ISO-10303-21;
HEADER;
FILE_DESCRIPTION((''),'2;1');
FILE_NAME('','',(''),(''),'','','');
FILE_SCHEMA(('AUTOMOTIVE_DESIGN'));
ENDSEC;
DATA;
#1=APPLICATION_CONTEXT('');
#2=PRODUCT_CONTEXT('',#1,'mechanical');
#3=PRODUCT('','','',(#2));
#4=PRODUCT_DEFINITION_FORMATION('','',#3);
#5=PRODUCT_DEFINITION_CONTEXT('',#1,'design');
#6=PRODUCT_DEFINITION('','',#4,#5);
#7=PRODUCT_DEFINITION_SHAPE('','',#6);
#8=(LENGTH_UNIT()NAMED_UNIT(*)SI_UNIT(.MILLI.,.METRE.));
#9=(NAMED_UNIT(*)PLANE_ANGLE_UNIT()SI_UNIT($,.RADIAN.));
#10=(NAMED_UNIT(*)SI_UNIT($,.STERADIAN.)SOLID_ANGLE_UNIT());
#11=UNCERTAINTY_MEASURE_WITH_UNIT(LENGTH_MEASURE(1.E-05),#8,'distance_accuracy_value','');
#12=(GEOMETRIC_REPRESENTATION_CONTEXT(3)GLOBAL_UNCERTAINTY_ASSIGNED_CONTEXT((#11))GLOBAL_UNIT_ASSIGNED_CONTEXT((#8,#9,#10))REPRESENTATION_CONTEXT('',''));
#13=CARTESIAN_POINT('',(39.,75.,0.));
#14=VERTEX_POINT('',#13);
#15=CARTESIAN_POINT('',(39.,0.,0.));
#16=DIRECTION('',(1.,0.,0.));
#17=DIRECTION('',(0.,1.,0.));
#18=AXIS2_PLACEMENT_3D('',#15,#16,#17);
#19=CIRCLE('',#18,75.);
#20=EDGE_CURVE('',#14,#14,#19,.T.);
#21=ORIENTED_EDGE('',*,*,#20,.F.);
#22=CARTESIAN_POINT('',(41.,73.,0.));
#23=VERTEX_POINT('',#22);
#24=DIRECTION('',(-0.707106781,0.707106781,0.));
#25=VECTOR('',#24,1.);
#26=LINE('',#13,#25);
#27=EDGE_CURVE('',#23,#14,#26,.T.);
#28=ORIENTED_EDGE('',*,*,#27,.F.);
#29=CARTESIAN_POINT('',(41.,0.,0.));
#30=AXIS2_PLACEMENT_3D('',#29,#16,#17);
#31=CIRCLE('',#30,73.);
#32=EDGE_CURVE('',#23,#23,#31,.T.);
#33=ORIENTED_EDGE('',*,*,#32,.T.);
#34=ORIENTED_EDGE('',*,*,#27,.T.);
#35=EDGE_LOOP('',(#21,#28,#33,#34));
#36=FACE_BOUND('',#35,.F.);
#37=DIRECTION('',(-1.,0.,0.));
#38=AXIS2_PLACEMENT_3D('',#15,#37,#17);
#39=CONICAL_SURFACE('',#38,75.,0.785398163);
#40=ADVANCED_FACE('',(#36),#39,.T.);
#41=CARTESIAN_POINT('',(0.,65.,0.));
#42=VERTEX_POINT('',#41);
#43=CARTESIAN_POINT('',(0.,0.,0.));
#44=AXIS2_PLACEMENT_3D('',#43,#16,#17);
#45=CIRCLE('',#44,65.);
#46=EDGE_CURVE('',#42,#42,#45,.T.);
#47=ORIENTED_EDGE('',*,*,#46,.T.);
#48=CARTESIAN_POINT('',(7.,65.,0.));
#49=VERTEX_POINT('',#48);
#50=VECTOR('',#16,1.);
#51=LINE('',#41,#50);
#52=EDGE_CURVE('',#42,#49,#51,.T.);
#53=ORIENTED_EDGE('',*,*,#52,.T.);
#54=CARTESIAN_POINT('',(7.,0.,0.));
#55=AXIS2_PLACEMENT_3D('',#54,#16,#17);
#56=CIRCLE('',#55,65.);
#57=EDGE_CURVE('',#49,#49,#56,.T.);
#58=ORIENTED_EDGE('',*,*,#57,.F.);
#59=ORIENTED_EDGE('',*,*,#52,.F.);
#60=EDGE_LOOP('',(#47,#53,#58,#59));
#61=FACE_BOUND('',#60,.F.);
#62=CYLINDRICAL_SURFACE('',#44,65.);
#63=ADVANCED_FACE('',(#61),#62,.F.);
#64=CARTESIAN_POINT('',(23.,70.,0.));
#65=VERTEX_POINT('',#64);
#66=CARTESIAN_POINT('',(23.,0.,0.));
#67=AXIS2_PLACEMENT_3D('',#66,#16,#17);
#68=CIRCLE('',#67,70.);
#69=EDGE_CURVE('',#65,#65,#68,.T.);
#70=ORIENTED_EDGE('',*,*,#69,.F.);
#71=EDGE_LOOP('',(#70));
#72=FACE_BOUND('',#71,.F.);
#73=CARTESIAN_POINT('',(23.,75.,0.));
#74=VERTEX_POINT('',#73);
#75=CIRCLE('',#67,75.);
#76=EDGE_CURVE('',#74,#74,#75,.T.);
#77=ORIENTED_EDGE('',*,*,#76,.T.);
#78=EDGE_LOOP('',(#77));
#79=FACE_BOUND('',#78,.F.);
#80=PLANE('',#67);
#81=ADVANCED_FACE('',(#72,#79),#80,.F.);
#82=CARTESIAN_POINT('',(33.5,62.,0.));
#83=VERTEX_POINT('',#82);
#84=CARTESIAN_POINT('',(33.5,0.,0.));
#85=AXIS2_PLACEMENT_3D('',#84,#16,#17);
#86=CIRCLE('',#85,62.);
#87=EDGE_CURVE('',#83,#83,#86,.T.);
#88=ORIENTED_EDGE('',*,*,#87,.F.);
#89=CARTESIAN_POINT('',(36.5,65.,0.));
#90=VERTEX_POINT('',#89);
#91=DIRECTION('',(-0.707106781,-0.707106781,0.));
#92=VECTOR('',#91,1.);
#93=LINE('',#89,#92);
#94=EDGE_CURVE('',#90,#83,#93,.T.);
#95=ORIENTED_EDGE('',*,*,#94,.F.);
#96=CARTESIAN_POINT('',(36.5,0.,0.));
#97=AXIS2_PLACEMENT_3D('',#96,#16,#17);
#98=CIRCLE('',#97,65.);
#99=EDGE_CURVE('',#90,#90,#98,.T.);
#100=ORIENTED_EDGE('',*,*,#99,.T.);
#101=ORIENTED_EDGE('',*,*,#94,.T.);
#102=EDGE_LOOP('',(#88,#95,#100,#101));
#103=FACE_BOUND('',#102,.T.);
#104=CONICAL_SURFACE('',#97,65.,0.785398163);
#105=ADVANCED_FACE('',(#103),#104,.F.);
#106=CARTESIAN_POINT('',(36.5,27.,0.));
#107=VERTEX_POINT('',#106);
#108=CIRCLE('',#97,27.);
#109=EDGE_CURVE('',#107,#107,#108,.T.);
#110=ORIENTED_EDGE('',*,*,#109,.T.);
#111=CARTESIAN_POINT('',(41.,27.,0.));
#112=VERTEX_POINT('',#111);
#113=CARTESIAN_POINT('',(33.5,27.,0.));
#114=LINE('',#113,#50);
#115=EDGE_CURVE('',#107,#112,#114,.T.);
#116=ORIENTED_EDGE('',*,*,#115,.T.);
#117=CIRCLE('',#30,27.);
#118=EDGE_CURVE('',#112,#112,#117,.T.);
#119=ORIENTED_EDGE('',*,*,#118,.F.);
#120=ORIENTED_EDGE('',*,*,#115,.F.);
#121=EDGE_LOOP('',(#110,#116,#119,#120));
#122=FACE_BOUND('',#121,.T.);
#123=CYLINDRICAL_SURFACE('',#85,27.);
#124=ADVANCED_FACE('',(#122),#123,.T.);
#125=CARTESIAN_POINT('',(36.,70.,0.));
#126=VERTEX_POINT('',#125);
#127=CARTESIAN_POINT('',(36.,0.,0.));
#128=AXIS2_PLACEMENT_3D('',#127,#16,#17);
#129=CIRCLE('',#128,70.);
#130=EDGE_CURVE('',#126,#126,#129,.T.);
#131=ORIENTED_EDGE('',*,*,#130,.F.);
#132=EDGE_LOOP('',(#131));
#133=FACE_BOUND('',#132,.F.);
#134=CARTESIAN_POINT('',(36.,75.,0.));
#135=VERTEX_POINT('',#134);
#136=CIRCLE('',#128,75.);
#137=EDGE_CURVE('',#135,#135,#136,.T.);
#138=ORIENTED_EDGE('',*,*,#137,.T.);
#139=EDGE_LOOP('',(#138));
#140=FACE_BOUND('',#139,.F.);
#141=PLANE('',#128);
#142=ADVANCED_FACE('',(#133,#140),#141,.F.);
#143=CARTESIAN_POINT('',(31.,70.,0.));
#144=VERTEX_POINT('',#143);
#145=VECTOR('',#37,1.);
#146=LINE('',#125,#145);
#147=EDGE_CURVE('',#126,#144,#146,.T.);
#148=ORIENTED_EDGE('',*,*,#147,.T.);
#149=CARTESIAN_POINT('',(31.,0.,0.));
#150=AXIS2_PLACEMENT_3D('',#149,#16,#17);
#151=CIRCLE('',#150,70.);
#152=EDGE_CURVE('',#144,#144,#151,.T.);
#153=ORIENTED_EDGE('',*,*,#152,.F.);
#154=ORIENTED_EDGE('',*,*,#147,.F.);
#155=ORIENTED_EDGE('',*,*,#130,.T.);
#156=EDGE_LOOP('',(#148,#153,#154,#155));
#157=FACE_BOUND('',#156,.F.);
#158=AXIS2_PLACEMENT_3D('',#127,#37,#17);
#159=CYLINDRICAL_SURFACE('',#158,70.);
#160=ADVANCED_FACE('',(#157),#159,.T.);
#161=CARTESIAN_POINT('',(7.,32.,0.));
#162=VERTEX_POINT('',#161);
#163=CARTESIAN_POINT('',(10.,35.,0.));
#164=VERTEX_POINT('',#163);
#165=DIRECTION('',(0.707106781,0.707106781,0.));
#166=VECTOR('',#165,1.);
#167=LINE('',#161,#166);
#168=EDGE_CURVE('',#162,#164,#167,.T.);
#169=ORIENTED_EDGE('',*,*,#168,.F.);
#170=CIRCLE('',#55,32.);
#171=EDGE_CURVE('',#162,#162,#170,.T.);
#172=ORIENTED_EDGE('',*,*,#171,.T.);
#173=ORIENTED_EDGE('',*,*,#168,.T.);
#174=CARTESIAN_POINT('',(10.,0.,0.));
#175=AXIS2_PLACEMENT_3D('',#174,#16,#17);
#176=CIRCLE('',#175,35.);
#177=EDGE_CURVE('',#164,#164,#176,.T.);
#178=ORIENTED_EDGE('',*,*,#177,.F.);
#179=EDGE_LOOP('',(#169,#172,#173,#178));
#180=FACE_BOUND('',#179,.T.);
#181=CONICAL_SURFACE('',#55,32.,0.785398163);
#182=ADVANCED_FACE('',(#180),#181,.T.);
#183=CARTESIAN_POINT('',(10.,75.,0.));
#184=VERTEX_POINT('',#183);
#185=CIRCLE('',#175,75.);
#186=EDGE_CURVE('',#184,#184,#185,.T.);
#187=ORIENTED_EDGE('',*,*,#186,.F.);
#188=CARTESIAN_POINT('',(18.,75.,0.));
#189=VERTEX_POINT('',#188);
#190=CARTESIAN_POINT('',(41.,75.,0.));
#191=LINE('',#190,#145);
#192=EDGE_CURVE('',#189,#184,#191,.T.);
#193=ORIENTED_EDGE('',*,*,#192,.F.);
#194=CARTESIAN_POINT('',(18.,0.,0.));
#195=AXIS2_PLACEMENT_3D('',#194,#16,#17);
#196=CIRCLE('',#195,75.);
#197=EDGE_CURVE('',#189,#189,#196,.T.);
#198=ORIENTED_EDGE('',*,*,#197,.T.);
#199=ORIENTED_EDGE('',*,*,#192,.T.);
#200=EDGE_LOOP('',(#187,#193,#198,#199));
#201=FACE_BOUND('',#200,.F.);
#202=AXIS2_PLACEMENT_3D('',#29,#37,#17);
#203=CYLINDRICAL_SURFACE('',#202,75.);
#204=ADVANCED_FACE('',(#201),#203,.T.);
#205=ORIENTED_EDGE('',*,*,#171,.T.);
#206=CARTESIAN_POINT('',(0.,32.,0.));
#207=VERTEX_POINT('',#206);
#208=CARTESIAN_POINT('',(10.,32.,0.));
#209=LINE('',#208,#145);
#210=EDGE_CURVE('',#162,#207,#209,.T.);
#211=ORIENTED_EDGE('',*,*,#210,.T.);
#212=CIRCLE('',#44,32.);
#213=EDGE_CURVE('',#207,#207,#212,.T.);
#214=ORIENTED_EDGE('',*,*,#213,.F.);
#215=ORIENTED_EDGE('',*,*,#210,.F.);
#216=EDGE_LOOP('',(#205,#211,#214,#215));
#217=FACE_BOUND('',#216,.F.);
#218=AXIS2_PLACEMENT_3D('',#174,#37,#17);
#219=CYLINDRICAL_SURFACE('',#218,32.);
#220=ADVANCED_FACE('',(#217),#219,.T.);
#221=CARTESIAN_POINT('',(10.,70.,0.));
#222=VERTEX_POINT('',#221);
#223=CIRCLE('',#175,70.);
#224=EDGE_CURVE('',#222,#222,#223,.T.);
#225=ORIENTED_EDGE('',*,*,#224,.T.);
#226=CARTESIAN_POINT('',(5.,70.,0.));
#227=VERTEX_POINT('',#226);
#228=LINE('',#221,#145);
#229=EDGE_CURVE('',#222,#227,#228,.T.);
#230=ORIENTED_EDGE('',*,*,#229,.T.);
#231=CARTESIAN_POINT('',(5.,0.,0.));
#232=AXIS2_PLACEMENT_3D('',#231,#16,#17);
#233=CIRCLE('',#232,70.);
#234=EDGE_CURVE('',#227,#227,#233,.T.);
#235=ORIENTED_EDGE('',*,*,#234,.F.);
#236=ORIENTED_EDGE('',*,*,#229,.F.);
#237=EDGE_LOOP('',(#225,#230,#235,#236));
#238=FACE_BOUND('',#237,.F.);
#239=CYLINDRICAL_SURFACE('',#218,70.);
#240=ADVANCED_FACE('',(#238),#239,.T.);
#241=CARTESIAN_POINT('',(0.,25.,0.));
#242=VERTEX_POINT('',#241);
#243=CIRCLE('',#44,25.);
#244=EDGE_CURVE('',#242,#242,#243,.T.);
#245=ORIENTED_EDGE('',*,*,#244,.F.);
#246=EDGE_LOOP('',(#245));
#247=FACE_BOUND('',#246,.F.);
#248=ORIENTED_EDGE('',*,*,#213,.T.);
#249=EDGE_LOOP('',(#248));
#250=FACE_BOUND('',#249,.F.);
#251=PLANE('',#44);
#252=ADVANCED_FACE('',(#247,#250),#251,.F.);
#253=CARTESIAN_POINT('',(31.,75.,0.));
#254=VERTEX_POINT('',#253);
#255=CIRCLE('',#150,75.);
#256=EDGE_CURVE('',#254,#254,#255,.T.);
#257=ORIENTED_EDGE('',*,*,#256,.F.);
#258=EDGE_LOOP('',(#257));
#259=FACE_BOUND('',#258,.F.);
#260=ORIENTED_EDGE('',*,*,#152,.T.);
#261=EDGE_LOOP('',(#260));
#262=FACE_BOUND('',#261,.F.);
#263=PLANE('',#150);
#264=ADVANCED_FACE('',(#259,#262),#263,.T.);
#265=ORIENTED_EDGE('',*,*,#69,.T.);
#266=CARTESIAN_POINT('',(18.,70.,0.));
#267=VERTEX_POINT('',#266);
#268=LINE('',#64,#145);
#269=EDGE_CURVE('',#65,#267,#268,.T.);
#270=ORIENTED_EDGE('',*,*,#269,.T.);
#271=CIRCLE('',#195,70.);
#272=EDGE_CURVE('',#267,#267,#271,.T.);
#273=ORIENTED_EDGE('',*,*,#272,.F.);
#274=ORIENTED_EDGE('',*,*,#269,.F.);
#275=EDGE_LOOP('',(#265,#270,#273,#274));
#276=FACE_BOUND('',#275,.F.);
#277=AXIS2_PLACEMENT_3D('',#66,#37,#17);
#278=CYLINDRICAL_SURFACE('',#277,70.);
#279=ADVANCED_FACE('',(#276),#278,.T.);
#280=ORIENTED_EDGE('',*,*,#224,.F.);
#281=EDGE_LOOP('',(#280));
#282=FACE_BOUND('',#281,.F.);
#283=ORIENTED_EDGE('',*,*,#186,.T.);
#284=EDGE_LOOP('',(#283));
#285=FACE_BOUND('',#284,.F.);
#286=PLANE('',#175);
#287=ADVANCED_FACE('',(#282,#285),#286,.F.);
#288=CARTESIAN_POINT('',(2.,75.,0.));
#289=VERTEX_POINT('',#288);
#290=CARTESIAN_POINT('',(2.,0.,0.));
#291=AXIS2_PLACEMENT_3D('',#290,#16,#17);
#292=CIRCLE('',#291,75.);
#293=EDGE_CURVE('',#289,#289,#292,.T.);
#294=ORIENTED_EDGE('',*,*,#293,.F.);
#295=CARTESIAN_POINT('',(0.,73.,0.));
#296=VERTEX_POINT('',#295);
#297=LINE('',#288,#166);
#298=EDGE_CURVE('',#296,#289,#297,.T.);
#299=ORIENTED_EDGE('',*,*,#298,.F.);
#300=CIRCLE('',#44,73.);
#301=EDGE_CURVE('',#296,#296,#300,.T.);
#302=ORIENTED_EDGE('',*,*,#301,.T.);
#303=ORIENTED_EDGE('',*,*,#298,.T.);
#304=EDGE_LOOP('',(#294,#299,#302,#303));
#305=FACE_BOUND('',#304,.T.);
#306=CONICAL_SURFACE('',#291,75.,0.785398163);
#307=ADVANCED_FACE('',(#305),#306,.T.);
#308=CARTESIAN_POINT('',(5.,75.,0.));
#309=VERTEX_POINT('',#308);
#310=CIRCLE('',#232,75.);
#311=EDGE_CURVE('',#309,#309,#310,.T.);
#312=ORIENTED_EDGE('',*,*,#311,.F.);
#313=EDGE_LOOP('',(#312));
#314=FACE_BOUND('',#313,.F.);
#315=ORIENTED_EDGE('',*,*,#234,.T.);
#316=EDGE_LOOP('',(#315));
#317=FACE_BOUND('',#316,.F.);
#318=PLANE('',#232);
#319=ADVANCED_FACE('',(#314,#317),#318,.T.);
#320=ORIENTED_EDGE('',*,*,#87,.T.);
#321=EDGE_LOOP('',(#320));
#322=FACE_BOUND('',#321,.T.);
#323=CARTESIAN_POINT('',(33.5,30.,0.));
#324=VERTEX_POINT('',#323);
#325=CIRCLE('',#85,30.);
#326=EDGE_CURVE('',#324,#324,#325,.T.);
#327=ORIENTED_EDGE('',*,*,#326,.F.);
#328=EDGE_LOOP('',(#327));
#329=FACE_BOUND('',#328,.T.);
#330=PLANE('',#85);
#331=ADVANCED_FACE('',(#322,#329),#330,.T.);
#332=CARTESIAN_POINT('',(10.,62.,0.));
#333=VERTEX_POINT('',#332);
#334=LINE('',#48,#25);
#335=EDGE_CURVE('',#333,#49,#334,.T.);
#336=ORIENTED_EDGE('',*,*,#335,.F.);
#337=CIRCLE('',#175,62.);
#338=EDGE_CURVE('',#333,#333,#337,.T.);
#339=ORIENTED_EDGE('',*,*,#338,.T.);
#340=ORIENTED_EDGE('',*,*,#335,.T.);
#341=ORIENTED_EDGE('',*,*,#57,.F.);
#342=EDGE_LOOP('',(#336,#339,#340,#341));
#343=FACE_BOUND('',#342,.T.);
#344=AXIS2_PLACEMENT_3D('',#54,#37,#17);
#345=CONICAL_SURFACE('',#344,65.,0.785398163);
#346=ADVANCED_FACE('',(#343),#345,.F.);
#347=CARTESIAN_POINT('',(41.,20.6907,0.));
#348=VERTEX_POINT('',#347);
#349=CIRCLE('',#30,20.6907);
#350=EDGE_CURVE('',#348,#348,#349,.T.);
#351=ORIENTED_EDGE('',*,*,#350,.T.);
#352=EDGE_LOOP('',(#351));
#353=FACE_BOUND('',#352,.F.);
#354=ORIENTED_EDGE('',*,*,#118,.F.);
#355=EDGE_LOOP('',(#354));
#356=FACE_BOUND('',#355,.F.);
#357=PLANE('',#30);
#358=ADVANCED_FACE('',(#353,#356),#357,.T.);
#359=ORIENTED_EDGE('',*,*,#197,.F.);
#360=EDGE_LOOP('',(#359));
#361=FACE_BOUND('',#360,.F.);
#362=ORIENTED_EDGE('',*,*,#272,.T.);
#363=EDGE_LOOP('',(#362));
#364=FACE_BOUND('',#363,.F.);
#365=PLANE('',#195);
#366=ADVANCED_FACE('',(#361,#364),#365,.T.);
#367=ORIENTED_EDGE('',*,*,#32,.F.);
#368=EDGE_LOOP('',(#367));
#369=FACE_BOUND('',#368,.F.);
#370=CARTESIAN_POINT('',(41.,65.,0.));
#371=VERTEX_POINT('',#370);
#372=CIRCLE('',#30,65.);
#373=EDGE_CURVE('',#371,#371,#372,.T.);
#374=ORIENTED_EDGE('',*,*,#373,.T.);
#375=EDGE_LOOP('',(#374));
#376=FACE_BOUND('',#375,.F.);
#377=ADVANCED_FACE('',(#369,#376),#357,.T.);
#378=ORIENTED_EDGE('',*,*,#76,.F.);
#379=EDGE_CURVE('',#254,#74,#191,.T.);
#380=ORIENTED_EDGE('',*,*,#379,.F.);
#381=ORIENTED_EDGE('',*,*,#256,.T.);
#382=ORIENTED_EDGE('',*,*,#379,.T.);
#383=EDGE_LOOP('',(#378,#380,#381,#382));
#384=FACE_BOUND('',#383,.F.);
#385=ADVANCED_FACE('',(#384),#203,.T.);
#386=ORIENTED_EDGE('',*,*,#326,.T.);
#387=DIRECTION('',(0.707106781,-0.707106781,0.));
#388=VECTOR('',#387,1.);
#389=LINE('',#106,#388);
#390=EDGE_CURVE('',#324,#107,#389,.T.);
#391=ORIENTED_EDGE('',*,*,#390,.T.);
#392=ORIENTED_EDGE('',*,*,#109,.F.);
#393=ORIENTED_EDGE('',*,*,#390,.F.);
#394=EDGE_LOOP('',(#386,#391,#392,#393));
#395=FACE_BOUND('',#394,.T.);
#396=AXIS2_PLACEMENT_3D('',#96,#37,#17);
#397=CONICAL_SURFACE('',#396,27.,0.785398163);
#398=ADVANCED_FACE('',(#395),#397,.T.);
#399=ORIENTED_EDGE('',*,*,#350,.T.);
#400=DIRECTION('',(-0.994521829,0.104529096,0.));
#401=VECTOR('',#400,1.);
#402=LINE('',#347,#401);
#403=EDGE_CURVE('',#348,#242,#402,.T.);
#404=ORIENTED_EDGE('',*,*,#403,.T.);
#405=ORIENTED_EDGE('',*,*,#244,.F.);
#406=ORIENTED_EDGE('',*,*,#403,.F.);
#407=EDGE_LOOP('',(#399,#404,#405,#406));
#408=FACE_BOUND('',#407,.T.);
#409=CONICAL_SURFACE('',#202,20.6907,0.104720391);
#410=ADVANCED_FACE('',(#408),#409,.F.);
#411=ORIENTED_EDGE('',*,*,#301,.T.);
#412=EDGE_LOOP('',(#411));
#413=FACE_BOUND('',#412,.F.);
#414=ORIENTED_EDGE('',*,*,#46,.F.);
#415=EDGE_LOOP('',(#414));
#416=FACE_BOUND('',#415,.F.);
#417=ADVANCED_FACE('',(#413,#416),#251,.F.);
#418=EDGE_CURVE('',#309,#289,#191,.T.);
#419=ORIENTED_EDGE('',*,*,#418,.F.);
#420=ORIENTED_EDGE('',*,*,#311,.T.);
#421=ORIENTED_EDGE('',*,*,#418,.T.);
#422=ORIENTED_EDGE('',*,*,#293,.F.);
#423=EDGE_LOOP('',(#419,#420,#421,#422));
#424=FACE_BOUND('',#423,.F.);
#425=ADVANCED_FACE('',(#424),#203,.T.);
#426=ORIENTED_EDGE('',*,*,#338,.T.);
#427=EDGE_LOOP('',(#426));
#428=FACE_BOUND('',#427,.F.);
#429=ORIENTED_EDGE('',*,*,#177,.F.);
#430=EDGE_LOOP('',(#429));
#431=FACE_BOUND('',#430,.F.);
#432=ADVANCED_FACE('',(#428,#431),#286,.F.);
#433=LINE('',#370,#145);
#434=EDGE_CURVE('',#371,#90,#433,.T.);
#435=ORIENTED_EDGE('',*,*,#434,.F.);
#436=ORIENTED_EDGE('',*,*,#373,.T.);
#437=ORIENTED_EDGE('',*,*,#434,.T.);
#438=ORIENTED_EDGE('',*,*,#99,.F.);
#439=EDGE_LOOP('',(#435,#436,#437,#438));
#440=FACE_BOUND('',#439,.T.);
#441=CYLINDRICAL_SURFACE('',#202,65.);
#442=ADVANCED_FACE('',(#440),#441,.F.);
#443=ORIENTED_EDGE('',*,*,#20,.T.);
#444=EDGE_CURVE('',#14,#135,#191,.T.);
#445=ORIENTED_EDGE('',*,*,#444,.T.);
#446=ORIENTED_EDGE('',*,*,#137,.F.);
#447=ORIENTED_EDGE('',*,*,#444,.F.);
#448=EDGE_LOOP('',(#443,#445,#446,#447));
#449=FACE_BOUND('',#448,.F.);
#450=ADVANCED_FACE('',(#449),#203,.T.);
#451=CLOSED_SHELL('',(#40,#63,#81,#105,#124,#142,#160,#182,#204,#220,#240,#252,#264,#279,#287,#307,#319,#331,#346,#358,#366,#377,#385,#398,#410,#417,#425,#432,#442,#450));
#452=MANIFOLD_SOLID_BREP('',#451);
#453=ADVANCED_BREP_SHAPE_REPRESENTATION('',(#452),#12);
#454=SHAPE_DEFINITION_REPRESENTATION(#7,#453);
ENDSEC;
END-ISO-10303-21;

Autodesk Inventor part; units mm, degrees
ref_plane "YZ Plane" through (0, 0, 0) normal (1, 0, 0) x (0, 1, 0)
ref_plane "XZ Plane" through (0, 0, 0) normal (0, 1, 0) x (-1, 0, 0)
ref_plane "XY Plane" through (0, 0, 0) normal (0, 0, 1) x (1, 0, 0)
sketch "Skizze1" plane through (0, 0, 0) normal (0, 0, 1) x (1, 0, 0)
  line L0 (0, 0) -> (41, 0)
  line L1 (41, 0) -> (41, 75)
  line L2 (41, 75) -> (0, 75)
  line L3 (0, 75) -> (0, 0)
  line L4 (5, 75) -> (10, 75)
  line L5 (10, 75) -> (10, 70)
  line L6 (10, 70) -> (5, 70)
  line L7 (5, 70) -> (5, 75)
  line L8 (18, 75) -> (23, 75)
  line L9 (23, 75) -> (23, 70)
  line L10 (23, 70) -> (18, 70)
  line L11 (18, 70) -> (18, 75)
  line L12 (31, 75) -> (36, 75)
  line L13 (36, 75) -> (36, 70)
  line L14 (36, 70) -> (31, 70)
  line L15 (31, 70) -> (31, 75)
  line L16 (0, 65) -> (10, 65)
  line L17 (10, 65) -> (10, 32)
  line L18 (10, 32) -> (0, 32)
  line L19 (0, 32) -> (0, 65)
  line L20 (41, 65) -> (33.5, 65)
  line L21 (33.5, 65) -> (33.5, 27)
  line L22 (33.5, 27) -> (41, 27)
  line L23 (41, 27) -> (41, 65)
  line L24 (41, 20.6907) -> (0, 25)
  point P0 (0, 32)
  dimension "d0" = 150
  dimension "d1" = 41
  dimension "d2" = 5
  dimension "d3" = 5
  dimension "d4" = 5
  dimension "d5" = 18
  dimension "d6" = 31
  dimension "d7" = 64
  dimension "d8" = 54
  dimension "d9" = 130
  dimension "d10" = 130
  dimension "d11" = 7.5
  dimension "d12" = 10
  dimension "d13" = 96
  dimension "d14" = 50
revolve "Umdrehung1" add sketch "Skizze1" angle 360 about axis through (0, 0, 0) along (1, 0, 0) contours L3 L18 L17 L16 L2 L7 L6 L5 L11 L10 L9 L15 L14 L13 L1 L20 L21 L22 L24
chamfer "Fase1" distance 3 angle 45 4 edges at (33.5, -65, 0) (33.5, -27, 0) (10, -32, 0) (10, -65, 0)
chamfer "Fase2" distance 2 angle 45 2 edges at (41, -75, 0) (0, -75, 0)
equation "\"d10\" = d9"
properties part number "Kolben" material "Stahl AISI 4130"
